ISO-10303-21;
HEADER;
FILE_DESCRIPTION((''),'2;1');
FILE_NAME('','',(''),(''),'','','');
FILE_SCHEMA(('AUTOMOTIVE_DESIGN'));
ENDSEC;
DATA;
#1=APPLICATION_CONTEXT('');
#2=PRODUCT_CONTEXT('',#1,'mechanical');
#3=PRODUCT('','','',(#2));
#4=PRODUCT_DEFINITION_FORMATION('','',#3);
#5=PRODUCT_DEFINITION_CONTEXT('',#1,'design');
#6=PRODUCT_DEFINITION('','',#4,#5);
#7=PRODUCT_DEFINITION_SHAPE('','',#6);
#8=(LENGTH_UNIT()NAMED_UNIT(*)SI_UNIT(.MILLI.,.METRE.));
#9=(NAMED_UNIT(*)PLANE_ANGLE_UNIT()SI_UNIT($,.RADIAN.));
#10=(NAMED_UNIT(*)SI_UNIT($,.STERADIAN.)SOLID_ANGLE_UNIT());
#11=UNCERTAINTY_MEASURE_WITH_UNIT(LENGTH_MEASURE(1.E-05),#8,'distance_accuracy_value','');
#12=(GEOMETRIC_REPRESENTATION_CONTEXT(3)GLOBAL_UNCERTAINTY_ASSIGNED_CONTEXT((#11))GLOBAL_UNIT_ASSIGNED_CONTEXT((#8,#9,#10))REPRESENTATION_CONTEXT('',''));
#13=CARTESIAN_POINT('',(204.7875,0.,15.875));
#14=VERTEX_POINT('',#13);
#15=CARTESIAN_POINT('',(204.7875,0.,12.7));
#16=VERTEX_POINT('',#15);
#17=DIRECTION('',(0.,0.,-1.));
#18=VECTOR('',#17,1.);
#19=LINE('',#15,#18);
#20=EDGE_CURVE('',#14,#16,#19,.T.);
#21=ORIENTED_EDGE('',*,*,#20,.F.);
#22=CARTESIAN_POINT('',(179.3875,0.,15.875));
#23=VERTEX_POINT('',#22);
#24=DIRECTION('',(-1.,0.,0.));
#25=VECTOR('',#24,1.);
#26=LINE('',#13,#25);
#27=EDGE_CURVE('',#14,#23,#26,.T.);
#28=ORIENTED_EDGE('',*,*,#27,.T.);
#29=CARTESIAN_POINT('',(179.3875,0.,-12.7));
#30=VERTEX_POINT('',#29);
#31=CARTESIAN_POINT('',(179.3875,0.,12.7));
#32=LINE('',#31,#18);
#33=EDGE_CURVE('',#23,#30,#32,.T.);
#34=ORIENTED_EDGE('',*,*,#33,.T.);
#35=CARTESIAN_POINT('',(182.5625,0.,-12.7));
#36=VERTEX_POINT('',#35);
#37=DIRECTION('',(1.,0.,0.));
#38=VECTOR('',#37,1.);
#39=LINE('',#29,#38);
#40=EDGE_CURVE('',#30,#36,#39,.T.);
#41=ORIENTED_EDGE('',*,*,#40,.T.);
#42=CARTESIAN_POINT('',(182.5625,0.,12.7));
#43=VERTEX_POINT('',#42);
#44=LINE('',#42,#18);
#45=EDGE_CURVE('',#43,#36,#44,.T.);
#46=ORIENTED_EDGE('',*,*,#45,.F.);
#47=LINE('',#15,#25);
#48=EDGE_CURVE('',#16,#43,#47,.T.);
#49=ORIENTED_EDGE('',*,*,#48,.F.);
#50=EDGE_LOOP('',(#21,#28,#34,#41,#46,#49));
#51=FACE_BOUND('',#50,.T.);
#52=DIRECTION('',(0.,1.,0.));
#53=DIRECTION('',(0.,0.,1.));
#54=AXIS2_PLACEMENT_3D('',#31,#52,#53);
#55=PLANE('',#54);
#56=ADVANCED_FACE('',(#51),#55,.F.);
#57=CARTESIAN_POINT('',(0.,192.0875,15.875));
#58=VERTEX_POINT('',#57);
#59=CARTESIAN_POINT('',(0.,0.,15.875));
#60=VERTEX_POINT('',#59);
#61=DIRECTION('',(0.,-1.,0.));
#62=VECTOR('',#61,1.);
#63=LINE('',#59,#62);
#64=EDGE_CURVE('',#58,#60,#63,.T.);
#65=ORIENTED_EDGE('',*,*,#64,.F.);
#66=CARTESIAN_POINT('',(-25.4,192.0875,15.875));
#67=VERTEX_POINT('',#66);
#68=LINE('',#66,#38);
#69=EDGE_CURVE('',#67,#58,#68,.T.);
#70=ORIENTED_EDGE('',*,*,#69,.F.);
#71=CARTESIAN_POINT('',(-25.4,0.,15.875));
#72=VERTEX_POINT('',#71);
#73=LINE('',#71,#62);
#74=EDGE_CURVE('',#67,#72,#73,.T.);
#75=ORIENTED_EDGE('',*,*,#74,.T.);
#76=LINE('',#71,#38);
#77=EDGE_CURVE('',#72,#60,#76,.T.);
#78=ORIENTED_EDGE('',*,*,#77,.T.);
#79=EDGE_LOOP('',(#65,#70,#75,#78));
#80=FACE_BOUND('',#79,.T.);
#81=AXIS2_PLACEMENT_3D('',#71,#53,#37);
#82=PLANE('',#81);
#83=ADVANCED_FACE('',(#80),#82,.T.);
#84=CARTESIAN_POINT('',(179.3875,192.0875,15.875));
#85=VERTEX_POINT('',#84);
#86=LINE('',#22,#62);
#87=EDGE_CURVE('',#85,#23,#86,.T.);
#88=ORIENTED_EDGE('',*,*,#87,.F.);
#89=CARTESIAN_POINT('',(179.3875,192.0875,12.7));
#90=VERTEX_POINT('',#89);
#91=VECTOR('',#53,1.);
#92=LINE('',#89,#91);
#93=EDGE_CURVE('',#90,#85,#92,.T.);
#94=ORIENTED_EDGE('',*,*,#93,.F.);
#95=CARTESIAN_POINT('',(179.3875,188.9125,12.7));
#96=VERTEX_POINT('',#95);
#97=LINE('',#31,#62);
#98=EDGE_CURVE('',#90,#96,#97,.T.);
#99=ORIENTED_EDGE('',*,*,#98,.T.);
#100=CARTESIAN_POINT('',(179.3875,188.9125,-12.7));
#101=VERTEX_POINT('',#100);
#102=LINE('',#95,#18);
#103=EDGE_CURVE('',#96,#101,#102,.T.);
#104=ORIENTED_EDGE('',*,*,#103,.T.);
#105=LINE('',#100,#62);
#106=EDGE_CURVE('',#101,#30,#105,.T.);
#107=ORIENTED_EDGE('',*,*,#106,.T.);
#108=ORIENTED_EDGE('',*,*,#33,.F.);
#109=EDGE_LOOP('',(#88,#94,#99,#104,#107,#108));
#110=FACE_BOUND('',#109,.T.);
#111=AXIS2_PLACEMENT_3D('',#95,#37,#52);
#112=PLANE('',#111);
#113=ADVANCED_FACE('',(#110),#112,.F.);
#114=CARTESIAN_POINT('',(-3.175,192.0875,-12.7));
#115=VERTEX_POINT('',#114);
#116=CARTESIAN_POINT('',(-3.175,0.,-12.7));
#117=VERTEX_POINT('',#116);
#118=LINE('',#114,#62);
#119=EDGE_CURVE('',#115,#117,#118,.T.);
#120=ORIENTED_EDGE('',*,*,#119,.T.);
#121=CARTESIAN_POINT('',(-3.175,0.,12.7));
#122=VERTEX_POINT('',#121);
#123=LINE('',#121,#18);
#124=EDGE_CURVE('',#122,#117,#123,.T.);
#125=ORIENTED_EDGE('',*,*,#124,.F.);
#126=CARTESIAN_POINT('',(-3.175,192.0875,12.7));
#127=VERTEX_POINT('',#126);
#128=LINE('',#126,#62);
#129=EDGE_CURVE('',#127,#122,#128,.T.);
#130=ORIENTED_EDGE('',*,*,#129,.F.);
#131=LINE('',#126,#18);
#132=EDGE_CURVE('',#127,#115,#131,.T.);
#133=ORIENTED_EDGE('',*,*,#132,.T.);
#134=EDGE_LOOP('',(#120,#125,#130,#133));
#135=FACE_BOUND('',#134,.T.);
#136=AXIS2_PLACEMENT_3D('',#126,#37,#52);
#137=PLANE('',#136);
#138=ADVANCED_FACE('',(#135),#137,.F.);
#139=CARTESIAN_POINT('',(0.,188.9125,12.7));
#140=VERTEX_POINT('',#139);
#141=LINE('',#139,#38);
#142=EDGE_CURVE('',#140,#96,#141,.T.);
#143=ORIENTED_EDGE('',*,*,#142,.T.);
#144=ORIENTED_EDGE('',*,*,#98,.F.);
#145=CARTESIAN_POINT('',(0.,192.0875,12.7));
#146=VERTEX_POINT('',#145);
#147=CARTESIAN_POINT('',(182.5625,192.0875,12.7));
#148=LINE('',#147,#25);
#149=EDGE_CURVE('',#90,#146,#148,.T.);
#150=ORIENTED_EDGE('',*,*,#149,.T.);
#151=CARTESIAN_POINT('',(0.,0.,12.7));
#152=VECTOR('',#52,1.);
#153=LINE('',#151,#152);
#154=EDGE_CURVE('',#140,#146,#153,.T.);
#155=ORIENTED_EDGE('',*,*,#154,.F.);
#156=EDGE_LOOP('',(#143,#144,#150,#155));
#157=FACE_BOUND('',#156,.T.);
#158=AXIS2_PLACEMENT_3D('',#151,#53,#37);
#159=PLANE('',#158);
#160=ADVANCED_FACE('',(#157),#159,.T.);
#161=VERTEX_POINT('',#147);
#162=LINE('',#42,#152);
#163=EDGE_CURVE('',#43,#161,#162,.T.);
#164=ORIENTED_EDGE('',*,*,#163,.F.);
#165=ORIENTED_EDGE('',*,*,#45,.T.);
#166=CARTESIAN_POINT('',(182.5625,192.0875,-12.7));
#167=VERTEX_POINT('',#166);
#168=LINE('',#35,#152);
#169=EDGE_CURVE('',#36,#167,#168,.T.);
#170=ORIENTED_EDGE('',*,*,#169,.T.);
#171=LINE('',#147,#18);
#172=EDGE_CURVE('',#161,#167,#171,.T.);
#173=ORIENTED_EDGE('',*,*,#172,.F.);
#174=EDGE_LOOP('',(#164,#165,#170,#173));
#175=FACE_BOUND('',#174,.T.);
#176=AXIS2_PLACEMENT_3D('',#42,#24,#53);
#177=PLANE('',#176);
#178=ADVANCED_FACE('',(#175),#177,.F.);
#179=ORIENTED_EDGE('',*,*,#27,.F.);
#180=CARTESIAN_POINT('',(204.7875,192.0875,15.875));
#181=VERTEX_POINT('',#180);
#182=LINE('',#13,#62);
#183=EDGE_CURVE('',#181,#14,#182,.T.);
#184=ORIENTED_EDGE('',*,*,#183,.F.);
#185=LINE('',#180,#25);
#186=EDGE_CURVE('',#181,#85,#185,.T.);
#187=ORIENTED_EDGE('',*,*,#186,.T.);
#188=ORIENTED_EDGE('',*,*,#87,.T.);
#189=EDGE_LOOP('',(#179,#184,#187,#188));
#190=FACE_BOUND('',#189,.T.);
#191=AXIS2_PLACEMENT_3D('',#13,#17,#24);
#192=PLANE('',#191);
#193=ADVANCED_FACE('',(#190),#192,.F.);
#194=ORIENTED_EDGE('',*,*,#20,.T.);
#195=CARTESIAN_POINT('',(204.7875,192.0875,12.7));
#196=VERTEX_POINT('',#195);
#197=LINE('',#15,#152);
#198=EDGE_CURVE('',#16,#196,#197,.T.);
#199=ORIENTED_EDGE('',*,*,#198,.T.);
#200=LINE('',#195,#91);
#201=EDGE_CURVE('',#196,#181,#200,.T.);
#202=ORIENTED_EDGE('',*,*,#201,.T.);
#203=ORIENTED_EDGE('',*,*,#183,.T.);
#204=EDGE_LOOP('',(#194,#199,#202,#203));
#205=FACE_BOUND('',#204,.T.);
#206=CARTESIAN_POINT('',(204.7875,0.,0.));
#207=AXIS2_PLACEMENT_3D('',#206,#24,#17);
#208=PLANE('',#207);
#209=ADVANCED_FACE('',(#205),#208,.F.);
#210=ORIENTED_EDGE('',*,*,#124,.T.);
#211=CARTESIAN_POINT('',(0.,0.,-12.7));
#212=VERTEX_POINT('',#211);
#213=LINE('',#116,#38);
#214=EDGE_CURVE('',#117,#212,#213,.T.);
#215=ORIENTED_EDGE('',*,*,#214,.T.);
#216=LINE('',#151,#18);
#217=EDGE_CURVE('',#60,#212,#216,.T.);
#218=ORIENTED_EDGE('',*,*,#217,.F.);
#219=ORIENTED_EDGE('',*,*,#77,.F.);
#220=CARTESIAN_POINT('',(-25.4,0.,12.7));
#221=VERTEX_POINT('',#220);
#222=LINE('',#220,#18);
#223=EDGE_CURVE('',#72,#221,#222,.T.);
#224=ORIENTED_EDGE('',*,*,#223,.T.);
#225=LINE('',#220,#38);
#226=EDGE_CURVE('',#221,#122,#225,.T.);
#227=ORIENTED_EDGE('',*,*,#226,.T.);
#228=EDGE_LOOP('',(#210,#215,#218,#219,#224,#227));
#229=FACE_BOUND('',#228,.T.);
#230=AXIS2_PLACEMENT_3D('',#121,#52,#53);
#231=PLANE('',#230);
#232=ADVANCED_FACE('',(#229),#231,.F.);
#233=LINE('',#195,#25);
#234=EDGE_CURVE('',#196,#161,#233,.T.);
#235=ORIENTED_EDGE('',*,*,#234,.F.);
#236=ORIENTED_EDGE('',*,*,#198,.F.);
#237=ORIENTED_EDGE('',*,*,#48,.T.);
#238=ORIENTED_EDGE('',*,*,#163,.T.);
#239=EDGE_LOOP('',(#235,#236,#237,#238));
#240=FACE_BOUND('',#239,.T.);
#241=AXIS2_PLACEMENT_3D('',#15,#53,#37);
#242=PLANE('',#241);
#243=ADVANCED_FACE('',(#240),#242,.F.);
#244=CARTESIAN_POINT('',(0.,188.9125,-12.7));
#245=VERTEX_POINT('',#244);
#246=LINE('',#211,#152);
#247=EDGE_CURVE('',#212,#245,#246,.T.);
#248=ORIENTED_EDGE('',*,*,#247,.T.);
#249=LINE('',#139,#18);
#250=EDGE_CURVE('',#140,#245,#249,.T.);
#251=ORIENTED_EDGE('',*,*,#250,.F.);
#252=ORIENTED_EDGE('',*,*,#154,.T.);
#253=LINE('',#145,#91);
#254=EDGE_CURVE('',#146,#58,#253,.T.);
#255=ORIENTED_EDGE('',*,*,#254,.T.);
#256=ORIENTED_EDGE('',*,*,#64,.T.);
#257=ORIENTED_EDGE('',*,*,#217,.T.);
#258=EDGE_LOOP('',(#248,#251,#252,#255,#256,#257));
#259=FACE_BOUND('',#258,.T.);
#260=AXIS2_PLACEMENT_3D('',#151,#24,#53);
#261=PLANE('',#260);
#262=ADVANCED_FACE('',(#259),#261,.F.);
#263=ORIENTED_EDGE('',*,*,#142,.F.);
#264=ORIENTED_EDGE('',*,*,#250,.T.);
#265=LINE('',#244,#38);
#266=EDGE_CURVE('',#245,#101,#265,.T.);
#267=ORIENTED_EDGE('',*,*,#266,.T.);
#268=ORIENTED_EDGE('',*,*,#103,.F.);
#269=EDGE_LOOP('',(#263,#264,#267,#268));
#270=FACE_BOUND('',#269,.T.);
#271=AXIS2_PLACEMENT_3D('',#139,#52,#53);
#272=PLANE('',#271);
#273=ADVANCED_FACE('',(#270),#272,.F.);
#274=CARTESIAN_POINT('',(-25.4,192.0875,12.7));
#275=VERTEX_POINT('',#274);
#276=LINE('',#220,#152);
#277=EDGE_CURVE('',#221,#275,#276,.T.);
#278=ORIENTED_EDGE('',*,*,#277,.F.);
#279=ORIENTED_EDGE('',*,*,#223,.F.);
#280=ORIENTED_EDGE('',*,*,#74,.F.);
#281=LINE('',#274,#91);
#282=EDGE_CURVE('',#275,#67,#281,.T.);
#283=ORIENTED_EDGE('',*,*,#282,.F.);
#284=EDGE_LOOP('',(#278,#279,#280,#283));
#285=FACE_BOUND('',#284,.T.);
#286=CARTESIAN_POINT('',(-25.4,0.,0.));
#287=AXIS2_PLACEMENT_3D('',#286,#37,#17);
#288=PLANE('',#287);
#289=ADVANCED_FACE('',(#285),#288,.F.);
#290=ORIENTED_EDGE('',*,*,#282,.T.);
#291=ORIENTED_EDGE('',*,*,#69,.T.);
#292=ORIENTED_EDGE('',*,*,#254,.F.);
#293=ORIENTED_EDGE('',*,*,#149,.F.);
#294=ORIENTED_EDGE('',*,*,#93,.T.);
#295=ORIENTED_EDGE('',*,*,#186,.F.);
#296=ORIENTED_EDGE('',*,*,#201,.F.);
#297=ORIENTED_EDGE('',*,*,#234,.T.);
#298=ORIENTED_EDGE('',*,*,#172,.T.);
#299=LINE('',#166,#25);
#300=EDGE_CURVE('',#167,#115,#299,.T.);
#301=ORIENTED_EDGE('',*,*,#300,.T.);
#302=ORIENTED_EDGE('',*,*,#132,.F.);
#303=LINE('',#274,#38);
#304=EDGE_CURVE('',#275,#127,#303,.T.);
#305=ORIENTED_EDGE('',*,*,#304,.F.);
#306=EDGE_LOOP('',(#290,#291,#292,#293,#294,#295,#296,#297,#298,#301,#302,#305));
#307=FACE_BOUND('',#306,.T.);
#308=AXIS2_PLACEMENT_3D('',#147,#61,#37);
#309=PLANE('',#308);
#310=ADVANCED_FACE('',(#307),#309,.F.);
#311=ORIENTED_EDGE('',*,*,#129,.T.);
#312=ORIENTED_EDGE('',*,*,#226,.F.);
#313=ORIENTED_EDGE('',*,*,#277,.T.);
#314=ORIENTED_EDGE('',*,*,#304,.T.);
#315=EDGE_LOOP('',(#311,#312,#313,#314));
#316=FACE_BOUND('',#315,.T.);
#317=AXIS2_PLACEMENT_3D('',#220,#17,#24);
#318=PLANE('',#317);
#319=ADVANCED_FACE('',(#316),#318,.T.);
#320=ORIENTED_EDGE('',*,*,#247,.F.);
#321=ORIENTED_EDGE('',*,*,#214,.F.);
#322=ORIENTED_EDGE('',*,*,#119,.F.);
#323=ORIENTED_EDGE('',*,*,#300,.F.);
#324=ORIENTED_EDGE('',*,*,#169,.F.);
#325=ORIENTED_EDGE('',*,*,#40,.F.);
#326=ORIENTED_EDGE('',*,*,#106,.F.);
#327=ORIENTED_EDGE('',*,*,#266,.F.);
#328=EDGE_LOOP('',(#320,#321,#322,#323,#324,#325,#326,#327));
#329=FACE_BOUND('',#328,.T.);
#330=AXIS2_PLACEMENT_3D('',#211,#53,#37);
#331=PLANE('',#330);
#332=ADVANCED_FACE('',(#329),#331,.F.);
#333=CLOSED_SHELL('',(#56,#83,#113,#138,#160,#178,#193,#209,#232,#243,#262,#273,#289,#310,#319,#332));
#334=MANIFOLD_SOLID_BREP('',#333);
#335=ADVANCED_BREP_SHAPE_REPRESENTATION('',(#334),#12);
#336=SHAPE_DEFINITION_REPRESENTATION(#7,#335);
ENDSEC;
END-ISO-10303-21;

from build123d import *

# Parameters (mm, degrees)
BOSS_EXTRUDE1_DEPTH = 12.7
SKETCH2_W           = 3.175
SKETCH2_H           = 192.0875
BOSS_EXTRUDE2_DEPTH = 25.4


with BuildPart() as part:
    # Sketch1 → Boss-Extrude1 (new body, symmetric)
    with BuildSketch(Plane.XY):
        Polygon((0, 0), (0, 188.9125), (179.3875, 188.9125), (179.3875, 0), (182.5625, 0), (182.5625, 192.0875), (-3.175, 192.0875), (-3.175, 0), align=None)
    extrude(amount=BOSS_EXTRUDE1_DEPTH, both=True)

    # Sketch2 → Boss-Extrude2 (add)
    with BuildSketch(Plane(origin=(0, 0, 0), x_dir=(0, 0, -1), z_dir=(1, 0, 0))):
        with Locations((-14.2875, 96.04375)):
            Rectangle(SKETCH2_W, SKETCH2_H)
    boss_extrude2 = extrude(amount=-BOSS_EXTRUDE2_DEPTH)

    # Mirror1: Boss-Extrude2 across plane
    add(boss_extrude2.mirror(Plane(origin=(89.69375, 0, 0), x_dir=(0, 0, 1), z_dir=(1, 0, 0))))


solid = part.part
